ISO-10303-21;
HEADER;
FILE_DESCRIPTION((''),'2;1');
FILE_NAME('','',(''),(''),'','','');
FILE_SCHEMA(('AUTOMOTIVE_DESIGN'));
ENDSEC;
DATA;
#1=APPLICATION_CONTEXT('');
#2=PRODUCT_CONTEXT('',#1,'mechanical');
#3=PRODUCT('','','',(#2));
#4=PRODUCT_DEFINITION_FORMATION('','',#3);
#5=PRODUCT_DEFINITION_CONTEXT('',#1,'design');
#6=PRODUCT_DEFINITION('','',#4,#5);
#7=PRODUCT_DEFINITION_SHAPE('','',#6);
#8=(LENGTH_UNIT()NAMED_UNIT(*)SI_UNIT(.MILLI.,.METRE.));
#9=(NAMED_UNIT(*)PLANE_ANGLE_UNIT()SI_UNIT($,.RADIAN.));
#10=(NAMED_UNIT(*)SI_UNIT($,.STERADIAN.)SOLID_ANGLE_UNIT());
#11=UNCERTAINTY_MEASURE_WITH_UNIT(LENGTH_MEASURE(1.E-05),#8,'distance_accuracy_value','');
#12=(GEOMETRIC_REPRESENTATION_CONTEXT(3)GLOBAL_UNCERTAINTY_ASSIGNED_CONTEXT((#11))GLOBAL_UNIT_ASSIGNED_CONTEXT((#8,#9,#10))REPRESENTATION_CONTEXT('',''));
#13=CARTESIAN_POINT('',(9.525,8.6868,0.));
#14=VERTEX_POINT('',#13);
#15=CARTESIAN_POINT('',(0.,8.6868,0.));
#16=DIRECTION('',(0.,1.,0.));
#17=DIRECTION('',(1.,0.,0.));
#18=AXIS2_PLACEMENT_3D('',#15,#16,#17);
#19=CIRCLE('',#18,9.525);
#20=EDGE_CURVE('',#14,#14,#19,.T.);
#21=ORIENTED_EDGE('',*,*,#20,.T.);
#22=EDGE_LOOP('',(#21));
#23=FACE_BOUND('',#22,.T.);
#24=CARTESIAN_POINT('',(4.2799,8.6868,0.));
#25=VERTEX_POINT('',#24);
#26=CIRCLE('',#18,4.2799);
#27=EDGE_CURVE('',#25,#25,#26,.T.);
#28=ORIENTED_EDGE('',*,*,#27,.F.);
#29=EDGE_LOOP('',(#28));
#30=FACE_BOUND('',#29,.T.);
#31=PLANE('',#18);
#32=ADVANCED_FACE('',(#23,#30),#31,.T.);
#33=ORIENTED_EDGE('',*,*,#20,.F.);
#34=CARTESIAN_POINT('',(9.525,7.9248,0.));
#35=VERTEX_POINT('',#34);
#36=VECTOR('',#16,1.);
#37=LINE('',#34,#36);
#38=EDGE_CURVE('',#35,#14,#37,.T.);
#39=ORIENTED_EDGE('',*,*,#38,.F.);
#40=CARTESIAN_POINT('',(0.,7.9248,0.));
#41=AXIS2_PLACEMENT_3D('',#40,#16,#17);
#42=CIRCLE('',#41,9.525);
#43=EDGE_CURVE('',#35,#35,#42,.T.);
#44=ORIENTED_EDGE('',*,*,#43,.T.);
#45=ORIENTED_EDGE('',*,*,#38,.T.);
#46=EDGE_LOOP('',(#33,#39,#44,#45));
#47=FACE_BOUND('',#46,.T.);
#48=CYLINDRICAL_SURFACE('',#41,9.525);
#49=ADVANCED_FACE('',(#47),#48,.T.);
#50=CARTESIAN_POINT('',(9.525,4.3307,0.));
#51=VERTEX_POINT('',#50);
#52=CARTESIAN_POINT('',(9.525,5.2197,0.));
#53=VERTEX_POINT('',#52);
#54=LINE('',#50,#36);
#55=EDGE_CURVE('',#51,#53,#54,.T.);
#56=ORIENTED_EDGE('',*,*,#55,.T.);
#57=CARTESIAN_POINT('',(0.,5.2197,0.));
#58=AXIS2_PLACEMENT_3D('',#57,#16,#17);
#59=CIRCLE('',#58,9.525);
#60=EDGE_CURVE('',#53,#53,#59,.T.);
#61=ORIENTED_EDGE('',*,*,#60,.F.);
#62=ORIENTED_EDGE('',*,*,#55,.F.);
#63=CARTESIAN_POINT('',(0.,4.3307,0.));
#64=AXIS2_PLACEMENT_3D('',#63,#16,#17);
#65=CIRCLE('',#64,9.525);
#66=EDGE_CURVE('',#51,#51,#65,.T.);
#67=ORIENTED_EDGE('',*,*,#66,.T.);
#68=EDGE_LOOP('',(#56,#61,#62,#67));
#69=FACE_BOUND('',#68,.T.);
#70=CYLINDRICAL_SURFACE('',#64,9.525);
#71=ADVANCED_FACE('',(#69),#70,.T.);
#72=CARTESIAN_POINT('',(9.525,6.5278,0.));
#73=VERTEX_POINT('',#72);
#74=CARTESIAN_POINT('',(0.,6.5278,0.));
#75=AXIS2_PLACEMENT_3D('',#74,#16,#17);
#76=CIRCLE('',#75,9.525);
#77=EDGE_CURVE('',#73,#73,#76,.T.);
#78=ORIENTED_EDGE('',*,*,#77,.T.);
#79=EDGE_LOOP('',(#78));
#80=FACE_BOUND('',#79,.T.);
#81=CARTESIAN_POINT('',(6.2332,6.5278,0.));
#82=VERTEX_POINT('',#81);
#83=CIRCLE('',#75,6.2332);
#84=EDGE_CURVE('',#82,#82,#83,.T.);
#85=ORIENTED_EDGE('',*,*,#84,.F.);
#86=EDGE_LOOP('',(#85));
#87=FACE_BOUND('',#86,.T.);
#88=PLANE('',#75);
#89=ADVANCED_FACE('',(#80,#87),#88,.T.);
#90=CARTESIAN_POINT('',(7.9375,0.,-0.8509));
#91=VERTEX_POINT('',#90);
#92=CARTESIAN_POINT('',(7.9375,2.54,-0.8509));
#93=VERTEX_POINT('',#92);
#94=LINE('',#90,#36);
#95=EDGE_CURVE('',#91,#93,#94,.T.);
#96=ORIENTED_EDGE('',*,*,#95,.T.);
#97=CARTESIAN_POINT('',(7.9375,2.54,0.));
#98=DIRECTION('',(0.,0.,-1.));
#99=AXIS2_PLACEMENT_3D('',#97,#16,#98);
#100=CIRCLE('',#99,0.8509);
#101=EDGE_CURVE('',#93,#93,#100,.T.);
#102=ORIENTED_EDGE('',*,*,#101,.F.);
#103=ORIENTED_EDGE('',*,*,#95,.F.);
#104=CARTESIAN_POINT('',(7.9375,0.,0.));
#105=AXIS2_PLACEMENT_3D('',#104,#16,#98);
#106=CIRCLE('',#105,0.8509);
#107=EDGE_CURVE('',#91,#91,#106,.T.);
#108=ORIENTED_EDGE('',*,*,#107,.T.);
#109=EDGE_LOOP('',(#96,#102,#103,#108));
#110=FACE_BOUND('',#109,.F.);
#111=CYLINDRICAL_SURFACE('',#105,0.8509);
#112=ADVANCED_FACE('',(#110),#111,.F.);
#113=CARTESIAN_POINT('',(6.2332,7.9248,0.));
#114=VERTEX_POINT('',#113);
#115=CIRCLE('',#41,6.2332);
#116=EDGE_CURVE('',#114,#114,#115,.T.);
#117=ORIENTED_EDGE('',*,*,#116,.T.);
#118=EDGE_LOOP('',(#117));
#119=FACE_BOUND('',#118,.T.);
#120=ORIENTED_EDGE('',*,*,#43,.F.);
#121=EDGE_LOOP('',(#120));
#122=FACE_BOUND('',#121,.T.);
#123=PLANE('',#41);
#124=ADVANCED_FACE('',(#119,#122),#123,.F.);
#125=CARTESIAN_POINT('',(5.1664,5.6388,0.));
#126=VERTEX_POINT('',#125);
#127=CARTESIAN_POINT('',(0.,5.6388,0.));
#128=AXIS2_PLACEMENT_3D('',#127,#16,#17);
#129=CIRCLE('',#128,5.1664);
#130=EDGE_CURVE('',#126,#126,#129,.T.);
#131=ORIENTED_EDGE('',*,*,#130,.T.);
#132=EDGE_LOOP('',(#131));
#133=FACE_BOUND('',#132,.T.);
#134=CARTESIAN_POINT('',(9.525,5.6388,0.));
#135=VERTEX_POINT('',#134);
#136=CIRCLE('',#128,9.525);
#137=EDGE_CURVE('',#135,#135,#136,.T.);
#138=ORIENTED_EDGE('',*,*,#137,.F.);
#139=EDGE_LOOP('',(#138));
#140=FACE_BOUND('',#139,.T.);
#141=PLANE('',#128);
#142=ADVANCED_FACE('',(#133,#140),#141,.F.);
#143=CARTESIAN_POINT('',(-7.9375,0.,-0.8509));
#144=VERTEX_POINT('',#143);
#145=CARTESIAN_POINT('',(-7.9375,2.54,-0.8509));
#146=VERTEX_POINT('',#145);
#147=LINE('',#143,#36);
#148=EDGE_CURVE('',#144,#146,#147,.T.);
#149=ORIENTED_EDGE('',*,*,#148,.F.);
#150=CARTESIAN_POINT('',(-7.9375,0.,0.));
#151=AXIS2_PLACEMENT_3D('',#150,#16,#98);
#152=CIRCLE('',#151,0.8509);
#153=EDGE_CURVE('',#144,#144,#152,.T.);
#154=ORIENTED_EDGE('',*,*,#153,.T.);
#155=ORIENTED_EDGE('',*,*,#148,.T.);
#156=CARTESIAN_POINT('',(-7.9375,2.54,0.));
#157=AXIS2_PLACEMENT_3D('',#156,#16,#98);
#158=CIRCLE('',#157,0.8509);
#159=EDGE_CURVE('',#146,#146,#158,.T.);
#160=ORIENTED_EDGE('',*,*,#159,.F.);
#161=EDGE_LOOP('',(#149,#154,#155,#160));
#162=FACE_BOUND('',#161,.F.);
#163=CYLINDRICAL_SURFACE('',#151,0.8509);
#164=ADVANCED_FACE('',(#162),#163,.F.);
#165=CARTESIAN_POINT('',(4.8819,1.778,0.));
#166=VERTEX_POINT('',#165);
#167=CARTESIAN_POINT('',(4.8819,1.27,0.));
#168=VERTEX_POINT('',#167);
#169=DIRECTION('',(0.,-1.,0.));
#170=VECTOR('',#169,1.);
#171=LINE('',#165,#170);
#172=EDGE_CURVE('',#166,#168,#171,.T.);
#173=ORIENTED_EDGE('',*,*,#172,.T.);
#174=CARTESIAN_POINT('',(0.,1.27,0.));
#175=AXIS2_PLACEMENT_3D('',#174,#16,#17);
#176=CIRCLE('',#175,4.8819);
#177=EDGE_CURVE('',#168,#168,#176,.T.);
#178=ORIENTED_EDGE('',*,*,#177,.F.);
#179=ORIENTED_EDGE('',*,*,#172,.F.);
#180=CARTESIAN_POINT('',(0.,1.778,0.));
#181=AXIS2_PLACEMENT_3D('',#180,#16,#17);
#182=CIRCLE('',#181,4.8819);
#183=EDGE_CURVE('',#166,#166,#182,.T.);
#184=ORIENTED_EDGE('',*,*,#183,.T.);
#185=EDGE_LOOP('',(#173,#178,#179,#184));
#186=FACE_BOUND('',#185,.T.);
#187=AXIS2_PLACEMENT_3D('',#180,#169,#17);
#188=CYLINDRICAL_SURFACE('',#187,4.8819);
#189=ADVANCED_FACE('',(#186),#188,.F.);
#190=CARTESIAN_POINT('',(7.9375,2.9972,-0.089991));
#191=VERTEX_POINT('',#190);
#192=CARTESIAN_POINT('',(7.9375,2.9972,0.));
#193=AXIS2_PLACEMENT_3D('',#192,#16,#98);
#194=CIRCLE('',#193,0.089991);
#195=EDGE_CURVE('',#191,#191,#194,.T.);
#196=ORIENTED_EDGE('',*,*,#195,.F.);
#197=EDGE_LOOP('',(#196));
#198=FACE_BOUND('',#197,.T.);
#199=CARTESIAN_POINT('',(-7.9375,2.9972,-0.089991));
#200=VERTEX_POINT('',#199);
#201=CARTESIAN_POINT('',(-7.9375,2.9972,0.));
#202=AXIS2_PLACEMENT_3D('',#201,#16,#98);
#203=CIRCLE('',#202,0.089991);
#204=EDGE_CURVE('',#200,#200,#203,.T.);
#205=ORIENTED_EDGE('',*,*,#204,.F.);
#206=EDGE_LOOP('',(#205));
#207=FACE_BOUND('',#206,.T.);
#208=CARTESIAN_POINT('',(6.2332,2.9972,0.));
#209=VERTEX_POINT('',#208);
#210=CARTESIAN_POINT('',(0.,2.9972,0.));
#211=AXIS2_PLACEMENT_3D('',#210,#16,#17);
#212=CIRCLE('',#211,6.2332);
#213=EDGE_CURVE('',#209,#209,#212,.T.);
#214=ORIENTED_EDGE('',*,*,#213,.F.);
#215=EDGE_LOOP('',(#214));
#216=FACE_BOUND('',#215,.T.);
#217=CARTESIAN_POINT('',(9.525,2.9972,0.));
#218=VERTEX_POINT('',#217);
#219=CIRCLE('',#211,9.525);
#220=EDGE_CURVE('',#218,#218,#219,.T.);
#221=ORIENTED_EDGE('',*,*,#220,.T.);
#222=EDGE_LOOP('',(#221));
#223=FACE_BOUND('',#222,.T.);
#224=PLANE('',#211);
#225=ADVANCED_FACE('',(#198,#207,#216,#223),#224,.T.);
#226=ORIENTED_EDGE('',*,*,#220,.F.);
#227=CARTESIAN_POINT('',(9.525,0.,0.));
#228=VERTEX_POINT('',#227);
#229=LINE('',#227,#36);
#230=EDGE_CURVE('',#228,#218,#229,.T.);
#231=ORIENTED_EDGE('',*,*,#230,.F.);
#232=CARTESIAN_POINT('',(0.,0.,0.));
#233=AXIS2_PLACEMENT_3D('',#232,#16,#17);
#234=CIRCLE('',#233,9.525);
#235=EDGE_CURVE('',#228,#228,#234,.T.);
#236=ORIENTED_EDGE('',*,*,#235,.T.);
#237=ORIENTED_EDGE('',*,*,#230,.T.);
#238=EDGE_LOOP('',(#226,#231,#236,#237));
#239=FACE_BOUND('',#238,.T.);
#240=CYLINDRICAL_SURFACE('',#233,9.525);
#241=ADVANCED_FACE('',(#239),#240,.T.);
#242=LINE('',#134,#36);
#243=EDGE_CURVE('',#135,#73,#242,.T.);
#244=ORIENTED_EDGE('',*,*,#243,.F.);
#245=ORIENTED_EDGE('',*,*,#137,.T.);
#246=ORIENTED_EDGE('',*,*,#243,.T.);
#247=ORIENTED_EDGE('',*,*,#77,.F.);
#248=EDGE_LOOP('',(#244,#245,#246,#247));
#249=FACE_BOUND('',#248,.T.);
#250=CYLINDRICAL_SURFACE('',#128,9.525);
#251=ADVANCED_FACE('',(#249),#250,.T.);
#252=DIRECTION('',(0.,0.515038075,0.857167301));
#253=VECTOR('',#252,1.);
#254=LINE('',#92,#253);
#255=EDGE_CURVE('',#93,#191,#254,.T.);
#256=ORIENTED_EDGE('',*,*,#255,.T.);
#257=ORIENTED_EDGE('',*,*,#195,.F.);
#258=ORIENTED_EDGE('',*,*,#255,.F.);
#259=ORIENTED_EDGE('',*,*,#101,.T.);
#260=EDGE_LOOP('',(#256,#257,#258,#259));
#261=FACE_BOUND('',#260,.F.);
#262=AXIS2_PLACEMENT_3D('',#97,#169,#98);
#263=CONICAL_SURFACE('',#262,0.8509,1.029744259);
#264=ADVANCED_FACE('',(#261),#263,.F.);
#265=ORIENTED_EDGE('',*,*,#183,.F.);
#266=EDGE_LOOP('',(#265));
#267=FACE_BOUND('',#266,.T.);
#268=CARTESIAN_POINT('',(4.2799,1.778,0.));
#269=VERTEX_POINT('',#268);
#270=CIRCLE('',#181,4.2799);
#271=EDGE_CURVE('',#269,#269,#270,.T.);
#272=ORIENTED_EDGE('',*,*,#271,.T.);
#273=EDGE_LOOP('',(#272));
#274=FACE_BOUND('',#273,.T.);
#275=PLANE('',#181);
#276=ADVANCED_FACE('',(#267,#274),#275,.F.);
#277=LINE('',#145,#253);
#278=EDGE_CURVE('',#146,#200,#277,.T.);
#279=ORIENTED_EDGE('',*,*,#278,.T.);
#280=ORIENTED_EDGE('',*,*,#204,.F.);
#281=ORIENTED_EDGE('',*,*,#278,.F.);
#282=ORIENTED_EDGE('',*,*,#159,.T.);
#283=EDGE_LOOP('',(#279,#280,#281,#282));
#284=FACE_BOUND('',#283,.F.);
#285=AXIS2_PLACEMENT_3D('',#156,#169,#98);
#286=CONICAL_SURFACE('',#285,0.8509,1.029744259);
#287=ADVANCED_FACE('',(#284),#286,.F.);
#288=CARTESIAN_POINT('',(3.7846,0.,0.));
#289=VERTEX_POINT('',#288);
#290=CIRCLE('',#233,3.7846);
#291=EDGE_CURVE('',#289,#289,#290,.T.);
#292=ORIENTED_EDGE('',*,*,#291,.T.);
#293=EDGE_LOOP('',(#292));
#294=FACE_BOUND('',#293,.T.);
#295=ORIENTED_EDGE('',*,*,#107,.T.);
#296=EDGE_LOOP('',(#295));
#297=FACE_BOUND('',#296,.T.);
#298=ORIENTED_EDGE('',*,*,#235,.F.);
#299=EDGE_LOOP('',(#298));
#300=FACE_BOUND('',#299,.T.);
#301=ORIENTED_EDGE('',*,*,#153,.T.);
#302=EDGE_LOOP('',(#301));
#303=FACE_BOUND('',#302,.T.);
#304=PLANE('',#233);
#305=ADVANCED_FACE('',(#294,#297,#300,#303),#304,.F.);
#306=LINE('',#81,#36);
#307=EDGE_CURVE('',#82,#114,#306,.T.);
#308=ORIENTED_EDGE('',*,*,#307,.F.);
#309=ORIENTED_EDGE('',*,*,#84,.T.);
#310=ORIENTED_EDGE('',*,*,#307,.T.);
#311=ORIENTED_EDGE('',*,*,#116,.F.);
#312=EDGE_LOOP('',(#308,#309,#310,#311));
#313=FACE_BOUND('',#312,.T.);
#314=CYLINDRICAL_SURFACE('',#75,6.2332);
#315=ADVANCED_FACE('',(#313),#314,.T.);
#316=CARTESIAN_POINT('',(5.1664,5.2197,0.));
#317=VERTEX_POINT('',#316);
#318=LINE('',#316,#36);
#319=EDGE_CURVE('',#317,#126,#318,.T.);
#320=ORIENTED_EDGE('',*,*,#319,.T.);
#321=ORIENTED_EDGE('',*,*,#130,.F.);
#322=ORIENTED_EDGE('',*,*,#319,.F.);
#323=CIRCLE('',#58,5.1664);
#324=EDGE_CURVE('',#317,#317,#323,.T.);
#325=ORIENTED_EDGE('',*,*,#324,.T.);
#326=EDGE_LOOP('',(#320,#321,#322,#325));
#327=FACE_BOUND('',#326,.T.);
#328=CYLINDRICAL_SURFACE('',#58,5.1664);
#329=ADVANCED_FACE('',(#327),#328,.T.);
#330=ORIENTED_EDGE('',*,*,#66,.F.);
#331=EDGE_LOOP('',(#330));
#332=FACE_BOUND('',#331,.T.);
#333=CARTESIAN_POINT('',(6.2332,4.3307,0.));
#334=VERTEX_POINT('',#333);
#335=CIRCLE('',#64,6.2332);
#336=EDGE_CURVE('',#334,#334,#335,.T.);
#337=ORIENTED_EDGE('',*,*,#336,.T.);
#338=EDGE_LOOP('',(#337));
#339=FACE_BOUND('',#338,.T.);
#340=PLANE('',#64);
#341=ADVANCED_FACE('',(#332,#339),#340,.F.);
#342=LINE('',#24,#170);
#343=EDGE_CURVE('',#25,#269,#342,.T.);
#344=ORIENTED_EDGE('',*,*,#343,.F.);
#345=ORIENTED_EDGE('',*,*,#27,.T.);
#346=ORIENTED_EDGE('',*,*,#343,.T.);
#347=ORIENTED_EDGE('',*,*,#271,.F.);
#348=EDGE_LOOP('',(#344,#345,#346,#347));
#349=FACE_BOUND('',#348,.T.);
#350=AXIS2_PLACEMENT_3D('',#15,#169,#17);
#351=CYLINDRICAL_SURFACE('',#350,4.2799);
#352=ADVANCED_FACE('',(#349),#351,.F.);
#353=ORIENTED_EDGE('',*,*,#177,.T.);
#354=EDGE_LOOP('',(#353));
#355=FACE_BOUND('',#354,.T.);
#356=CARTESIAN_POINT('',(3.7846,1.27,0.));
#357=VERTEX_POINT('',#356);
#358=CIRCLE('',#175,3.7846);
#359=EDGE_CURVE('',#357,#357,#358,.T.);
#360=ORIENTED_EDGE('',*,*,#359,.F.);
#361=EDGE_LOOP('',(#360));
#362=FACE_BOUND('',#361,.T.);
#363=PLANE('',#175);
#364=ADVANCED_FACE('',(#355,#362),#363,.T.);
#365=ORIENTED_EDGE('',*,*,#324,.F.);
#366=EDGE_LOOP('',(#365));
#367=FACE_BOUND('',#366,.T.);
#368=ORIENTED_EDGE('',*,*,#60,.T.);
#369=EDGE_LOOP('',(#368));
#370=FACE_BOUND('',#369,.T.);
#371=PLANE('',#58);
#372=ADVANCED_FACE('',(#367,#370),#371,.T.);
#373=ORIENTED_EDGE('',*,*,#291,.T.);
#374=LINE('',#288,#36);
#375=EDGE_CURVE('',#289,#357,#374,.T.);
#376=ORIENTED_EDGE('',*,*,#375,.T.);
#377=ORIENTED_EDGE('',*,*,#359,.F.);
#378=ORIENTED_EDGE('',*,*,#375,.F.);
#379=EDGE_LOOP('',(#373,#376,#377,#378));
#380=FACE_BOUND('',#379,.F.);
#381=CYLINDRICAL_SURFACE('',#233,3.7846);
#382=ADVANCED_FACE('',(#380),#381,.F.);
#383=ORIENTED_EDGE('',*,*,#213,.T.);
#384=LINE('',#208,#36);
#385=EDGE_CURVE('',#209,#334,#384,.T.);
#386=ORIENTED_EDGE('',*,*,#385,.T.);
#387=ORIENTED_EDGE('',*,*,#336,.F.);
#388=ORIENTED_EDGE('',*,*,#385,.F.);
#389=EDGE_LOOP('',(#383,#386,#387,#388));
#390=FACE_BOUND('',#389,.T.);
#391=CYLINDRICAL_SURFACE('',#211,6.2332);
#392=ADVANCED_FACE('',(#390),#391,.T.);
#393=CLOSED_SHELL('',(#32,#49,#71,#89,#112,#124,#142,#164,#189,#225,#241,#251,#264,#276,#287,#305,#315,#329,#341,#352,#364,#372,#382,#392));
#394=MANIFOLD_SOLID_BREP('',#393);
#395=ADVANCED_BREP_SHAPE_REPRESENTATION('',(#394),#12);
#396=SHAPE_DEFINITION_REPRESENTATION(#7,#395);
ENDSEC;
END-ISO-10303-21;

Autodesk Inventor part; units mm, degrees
ref_plane "YZ Plane" through (0, 0, 0) normal (1, 0, 0) x (0, 1, 0)
ref_plane "XZ Plane" through (0, 0, 0) normal (0, 1, 0) x (-1, 0, 0)
ref_plane "XY Plane" through (0, 0, 0) normal (0, 0, 1) x (1, 0, 0)
sketch "Sketch1" plane through (0, 0, 0) normal (0, 0, 1) x (1, 0, 0)
  line L0 (0, 0) -> (0, 9.4488)
  line L1 (3.7846, 0) -> (3.7846, 1.27)
  line L2 (3.7846, 0) -> (9.525, 0)
  line L3 (9.525, 0) -> (9.525, 2.9972)
  line L4 (9.525, 2.9972) -> (6.2332, 2.9972)
  line L5 (6.2332, 2.9972) -> (6.2332, 4.3307)
  line L6 (6.2332, 4.3307) -> (9.525, 4.3307)
  line L7 (9.525, 4.3307) -> (9.525, 5.2197)
  line L8 (9.525, 5.2197) -> (5.1664, 5.2197)
  line L9 (4.8819, 1.27) -> (3.7846, 1.27)
  line L10 (5.1664, 5.2197) -> (5.1664, 5.6388)
  line L11 (5.1664, 5.6388) -> (9.525, 5.6388)
  line L12 (9.525, 5.6388) -> (9.525, 6.5278)
  line L13 (9.525, 6.5278) -> (6.2332, 6.5278)
  line L14 (6.2332, 6.5278) -> (6.2332, 7.9248)
  line L15 (6.2332, 7.9248) -> (9.525, 7.9248)
  line L16 (9.525, 7.9248) -> (9.525, 8.6868)
  line L17 (9.525, 8.6868) -> (4.2799, 8.6868)
  line L18 (4.2799, 8.6868) -> (4.2799, 1.778)
  line L19 (4.8819, 1.778) -> (4.8819, 1.27)
  line L20 (4.2799, 1.778) -> (4.8819, 1.778)
  dimension "d0" = 19.05
  dimension "d1" = 7.5692
  dimension "d2" = 1.27
  dimension "d3" = 0
  dimension "d4" = 8.5598
  dimension "d5" = 0.508
  dimension "d6" = 2.9972
  dimension "d7" = 1.3335
  dimension "d8" = 0.889
  dimension "d9" = 0.762
  dimension "d10" = 0.889
  dimension "d11" = 1.397
  dimension "d12" = 8.6868
revolve "Revolution1" add sketch "Sketch1" angle 360 about axis through (0, 0, 0) along (0, 1, 0)
sketch "Sketch2" plane through (0, 0, 0) normal (0, 1, 0) x (-1, 0, 0)
  circle A0 centre (0, 0) radius 7.9375 construction
  point P0 (-7.9375, 0)
  point P1 (7.9375, 0)
  dimension "d14" = 15.875
hole "Hole1" at (7.9375, 0, 0) at (-7.9375, 0, 0) direction (0, 1, 0) diameter 1.7018 depth 2.54 tip angle 118
properties part number "321527B00000G" material "ALUMINUM, 6061-T651"
